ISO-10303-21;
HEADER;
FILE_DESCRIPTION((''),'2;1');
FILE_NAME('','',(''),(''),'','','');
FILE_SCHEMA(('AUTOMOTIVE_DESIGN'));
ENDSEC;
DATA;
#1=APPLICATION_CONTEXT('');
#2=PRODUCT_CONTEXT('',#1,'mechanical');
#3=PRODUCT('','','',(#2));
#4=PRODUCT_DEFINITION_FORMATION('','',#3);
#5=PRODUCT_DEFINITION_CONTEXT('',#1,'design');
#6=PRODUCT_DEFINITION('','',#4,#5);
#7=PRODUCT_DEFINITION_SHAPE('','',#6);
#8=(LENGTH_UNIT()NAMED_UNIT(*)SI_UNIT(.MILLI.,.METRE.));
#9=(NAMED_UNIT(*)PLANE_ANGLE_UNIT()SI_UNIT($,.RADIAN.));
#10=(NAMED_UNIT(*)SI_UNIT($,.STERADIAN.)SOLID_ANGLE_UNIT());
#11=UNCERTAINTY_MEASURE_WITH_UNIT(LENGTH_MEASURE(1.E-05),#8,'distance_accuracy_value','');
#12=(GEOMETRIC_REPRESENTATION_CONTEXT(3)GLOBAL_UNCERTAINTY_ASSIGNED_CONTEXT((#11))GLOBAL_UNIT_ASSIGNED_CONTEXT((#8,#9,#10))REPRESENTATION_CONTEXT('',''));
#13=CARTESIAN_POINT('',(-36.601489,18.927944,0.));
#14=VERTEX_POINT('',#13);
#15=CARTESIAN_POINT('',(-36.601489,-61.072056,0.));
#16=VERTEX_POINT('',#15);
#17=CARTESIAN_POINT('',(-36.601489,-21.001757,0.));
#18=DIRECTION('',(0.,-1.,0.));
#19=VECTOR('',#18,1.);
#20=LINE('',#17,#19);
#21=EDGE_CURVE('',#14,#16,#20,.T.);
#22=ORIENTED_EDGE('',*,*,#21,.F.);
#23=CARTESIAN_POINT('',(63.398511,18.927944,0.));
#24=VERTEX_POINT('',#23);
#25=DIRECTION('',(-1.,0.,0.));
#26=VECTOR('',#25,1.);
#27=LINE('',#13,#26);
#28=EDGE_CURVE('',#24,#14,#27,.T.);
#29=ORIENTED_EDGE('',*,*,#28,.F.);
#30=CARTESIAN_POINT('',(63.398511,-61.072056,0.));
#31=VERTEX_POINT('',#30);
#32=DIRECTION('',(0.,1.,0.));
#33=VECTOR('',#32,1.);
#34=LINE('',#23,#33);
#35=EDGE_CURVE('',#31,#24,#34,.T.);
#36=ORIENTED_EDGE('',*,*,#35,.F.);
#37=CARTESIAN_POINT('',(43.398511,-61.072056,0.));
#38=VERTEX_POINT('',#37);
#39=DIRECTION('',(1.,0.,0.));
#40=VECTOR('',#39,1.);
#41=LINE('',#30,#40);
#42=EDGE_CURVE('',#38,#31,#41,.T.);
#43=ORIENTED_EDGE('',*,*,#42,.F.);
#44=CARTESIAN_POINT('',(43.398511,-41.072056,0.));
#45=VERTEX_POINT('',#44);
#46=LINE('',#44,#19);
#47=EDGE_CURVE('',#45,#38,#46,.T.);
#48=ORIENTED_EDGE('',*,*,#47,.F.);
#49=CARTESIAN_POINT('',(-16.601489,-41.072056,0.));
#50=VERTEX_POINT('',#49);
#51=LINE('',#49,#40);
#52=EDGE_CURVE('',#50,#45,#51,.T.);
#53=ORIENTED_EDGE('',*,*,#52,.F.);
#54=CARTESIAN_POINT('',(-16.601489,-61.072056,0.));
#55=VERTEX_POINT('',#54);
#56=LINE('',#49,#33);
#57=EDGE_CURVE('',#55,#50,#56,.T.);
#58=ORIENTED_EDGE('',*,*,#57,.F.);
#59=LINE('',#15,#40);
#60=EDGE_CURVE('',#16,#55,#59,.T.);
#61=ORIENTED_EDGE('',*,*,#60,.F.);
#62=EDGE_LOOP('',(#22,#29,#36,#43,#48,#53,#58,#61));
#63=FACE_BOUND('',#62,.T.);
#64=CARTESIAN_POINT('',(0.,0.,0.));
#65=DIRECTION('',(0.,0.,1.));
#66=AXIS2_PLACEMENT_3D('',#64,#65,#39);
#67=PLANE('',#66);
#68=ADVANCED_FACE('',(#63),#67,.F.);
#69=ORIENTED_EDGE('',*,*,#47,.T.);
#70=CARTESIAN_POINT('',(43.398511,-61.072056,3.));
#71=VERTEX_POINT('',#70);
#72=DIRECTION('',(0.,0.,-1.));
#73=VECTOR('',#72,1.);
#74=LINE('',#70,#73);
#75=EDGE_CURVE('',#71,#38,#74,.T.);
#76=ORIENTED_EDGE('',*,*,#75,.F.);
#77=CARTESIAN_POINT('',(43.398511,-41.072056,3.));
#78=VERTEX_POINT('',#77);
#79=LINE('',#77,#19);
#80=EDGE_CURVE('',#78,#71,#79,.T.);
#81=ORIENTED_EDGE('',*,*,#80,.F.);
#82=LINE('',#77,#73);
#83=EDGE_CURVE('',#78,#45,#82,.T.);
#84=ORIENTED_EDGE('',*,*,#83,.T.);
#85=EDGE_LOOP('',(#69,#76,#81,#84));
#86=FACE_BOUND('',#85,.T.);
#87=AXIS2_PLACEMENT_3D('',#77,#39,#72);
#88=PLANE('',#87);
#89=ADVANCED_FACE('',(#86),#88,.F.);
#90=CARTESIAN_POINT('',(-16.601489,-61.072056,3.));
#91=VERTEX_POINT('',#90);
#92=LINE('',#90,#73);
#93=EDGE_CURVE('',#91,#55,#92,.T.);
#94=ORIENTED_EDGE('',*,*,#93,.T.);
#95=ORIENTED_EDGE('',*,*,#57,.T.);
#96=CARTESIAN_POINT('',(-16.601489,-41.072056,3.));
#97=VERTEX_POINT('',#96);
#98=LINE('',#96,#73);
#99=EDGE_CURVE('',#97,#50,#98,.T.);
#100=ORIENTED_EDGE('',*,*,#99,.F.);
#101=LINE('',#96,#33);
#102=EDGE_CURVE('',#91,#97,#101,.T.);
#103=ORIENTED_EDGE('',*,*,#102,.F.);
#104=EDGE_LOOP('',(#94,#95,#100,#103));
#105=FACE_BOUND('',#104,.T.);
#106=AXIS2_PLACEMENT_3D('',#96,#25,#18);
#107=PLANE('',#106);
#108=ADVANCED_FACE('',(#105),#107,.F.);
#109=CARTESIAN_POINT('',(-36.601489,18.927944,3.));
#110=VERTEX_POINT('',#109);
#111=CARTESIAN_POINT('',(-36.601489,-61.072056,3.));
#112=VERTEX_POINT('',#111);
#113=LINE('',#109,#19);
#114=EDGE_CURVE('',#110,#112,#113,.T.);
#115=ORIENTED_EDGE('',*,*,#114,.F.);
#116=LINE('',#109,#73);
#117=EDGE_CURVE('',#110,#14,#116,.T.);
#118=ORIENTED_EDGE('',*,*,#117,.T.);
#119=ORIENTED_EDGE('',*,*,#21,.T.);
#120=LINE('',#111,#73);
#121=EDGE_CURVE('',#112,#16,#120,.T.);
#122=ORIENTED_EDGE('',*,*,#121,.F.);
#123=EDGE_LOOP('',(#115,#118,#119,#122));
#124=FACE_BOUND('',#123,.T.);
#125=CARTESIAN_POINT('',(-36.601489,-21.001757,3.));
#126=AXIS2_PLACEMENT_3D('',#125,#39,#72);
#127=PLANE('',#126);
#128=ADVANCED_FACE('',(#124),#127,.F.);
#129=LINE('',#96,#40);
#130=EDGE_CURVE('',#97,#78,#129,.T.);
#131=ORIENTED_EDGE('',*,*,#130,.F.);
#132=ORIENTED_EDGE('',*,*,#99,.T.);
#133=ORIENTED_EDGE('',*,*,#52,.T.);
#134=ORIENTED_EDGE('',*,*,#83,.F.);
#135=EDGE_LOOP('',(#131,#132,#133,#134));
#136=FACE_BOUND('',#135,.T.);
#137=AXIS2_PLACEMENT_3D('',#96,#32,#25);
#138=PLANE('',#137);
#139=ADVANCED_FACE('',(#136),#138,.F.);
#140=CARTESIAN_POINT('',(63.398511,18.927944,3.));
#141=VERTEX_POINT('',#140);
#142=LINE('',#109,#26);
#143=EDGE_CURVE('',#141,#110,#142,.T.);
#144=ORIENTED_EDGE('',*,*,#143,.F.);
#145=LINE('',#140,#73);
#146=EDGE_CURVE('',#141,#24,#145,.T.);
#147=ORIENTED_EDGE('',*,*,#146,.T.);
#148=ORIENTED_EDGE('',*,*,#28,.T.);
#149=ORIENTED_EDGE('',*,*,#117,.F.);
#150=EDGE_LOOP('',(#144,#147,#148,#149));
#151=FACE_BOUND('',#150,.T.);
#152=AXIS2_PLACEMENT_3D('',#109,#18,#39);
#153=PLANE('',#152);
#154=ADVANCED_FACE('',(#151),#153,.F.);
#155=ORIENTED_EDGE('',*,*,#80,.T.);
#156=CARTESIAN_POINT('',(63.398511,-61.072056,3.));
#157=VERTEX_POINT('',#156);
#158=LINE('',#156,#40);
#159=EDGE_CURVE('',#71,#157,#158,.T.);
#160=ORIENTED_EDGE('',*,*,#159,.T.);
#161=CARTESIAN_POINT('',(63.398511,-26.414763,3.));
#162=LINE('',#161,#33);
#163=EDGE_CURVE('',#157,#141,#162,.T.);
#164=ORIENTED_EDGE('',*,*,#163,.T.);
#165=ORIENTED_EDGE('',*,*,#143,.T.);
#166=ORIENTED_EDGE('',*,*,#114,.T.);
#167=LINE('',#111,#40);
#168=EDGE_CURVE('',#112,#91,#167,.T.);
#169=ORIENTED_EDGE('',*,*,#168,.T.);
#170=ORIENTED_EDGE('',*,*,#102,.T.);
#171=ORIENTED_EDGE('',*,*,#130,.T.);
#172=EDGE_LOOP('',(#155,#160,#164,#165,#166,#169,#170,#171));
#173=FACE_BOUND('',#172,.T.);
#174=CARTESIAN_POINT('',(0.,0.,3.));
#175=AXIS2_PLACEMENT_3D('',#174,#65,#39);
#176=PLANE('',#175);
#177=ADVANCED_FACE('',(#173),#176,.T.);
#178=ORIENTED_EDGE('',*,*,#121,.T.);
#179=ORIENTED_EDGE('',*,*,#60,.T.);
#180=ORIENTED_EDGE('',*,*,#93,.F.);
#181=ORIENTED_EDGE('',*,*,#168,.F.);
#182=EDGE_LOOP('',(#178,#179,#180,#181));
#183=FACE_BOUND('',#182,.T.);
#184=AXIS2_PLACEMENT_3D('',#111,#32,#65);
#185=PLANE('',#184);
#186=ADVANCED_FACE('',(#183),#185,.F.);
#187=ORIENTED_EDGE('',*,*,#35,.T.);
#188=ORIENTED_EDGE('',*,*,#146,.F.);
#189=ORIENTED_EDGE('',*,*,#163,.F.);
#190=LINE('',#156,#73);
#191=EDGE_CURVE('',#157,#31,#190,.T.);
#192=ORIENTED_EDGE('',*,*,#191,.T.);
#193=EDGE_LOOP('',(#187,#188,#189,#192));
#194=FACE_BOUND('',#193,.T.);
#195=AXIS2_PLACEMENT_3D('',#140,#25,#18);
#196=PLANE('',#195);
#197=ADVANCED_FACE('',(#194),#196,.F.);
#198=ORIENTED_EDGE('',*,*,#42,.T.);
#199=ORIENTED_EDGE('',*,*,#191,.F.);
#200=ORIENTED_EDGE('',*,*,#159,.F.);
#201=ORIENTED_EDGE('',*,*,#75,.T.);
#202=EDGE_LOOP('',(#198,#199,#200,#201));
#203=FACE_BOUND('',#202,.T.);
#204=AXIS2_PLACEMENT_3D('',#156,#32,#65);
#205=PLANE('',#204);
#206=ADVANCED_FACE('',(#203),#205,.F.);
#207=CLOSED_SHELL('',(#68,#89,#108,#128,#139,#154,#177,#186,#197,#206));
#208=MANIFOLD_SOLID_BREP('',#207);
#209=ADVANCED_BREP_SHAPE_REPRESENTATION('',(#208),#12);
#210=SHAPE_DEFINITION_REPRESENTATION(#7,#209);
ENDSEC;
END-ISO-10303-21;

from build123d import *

# Parameters (mm, degrees)
BOSS_EXTRU_1_DEPTH = 3


with BuildPart() as part:
    # Esquisse1 → Boss.-Extru.1 (new body)
    with BuildSketch(Plane.XY):
        Polygon((-16.601489083, -41.072056239), (43.398510917, -41.072056239), (43.398510917, -61.072056239), (63.398510917, -61.072056239), (63.398510917, -26.414762742), (63.398510917, 18.927943761), (-36.601489083, 18.927943761), (-36.601489083, -21.001757469), (-36.601489083, -61.072056239), (-16.601489083, -61.072056239), align=None)
    extrude(amount=BOSS_EXTRU_1_DEPTH)


solid = part.part
